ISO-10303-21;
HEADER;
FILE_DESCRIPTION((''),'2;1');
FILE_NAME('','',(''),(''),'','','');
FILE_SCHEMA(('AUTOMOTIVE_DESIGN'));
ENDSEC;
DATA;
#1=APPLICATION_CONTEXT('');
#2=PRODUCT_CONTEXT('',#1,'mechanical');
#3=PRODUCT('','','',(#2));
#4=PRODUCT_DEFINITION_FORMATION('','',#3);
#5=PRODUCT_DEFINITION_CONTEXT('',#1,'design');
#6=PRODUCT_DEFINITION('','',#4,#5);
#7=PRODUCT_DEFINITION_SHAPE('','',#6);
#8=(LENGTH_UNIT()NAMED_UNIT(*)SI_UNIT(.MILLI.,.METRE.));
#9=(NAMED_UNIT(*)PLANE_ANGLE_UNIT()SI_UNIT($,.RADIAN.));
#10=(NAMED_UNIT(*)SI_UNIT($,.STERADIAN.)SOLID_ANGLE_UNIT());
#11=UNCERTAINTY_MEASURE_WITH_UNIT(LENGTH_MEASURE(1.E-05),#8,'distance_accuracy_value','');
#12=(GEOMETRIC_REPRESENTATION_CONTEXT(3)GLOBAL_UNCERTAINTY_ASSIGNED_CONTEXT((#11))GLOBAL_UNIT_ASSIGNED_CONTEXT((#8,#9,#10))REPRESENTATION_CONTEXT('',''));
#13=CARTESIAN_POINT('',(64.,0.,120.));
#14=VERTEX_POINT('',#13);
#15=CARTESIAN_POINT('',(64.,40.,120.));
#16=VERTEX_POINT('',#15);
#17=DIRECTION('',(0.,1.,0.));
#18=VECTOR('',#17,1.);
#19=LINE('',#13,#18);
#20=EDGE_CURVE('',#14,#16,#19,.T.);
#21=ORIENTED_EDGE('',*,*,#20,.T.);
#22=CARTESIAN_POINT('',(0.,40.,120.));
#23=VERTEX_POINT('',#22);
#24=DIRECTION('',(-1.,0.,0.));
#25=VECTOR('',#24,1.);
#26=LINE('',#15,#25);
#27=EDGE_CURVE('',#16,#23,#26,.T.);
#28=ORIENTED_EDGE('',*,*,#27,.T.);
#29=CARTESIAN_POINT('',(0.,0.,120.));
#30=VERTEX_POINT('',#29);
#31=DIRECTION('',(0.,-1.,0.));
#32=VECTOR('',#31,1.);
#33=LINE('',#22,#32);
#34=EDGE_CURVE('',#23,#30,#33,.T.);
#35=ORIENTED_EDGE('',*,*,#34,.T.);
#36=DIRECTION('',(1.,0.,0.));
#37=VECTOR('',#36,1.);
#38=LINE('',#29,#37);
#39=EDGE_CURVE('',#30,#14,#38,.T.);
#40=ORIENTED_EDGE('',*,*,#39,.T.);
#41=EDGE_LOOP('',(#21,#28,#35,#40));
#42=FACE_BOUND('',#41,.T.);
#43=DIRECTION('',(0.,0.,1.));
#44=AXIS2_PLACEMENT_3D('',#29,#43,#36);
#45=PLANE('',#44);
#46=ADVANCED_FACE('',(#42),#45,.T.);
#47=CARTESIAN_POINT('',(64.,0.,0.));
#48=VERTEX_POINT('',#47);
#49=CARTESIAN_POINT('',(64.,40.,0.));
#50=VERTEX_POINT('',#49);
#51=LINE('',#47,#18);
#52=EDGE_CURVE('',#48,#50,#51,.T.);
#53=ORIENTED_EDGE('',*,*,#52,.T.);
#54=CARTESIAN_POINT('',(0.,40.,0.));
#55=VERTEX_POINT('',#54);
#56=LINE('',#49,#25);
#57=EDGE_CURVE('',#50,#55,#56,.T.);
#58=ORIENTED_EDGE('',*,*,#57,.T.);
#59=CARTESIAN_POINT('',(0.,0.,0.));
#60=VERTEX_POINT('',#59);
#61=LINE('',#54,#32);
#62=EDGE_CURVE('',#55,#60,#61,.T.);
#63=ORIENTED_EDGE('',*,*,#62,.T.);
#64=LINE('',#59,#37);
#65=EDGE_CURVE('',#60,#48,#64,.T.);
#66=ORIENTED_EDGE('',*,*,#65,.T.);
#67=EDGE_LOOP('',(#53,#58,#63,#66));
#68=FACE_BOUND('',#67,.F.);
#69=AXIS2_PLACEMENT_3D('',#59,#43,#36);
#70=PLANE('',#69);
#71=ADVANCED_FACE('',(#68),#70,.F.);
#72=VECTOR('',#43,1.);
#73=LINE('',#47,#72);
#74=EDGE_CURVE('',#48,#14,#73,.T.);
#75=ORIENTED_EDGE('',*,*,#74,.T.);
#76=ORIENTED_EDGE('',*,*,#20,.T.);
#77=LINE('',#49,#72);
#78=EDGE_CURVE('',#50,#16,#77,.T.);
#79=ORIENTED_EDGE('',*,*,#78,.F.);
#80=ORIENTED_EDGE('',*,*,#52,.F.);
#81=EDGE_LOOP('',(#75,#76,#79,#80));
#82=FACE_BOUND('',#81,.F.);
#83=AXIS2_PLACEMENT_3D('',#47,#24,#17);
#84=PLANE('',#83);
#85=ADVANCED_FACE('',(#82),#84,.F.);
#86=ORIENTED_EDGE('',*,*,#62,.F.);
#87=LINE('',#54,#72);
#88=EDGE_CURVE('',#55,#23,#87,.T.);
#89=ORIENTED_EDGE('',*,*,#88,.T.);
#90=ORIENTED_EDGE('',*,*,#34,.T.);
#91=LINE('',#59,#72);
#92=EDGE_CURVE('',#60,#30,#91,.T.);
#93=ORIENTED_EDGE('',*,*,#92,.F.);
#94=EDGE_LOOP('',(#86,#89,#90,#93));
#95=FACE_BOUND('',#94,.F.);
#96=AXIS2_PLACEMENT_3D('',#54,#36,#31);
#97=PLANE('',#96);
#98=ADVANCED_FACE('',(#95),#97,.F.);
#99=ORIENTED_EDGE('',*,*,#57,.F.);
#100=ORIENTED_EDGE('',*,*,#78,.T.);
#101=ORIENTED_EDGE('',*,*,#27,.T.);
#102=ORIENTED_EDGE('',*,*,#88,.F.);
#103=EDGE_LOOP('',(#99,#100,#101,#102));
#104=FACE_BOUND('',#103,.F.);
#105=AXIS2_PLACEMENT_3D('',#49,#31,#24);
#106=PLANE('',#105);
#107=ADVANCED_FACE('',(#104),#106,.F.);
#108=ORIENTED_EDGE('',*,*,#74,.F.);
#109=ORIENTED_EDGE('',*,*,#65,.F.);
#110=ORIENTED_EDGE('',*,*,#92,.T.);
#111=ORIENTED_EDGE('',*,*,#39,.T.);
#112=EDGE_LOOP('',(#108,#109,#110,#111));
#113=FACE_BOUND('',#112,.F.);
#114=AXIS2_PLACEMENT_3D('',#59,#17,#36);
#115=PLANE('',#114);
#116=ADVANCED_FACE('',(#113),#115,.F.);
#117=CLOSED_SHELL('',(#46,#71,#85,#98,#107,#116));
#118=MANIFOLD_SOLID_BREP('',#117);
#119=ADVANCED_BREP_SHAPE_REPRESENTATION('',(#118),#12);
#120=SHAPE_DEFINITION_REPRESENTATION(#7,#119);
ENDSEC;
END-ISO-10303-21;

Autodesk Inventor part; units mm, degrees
ref_plane "YZ Plane" through (0, 0, 0) normal (1, 0, 0) x (0, 1, 0)
ref_plane "XZ Plane" through (0, 0, 0) normal (0, 1, 0) x (-1, 0, 0)
ref_plane "XY Plane" through (0, 0, 0) normal (0, 0, 1) x (1, 0, 0)
sketch "草圖1" plane through (0, 0, 0) normal (0, 0, 1) x (1, 0, 0)
  line L0 (0, 0) -> (64, 0)
  line L1 (64, 0) -> (64, 40)
  line L2 (64, 40) -> (0, 40)
  line L3 (0, 40) -> (0, 0)
  dimension "d0" = 64
  dimension "d1" = 40
extrude "擠出1" add sketch "草圖1" along normal blind 120
properties part number "AI" material "木材 (樺木)"
